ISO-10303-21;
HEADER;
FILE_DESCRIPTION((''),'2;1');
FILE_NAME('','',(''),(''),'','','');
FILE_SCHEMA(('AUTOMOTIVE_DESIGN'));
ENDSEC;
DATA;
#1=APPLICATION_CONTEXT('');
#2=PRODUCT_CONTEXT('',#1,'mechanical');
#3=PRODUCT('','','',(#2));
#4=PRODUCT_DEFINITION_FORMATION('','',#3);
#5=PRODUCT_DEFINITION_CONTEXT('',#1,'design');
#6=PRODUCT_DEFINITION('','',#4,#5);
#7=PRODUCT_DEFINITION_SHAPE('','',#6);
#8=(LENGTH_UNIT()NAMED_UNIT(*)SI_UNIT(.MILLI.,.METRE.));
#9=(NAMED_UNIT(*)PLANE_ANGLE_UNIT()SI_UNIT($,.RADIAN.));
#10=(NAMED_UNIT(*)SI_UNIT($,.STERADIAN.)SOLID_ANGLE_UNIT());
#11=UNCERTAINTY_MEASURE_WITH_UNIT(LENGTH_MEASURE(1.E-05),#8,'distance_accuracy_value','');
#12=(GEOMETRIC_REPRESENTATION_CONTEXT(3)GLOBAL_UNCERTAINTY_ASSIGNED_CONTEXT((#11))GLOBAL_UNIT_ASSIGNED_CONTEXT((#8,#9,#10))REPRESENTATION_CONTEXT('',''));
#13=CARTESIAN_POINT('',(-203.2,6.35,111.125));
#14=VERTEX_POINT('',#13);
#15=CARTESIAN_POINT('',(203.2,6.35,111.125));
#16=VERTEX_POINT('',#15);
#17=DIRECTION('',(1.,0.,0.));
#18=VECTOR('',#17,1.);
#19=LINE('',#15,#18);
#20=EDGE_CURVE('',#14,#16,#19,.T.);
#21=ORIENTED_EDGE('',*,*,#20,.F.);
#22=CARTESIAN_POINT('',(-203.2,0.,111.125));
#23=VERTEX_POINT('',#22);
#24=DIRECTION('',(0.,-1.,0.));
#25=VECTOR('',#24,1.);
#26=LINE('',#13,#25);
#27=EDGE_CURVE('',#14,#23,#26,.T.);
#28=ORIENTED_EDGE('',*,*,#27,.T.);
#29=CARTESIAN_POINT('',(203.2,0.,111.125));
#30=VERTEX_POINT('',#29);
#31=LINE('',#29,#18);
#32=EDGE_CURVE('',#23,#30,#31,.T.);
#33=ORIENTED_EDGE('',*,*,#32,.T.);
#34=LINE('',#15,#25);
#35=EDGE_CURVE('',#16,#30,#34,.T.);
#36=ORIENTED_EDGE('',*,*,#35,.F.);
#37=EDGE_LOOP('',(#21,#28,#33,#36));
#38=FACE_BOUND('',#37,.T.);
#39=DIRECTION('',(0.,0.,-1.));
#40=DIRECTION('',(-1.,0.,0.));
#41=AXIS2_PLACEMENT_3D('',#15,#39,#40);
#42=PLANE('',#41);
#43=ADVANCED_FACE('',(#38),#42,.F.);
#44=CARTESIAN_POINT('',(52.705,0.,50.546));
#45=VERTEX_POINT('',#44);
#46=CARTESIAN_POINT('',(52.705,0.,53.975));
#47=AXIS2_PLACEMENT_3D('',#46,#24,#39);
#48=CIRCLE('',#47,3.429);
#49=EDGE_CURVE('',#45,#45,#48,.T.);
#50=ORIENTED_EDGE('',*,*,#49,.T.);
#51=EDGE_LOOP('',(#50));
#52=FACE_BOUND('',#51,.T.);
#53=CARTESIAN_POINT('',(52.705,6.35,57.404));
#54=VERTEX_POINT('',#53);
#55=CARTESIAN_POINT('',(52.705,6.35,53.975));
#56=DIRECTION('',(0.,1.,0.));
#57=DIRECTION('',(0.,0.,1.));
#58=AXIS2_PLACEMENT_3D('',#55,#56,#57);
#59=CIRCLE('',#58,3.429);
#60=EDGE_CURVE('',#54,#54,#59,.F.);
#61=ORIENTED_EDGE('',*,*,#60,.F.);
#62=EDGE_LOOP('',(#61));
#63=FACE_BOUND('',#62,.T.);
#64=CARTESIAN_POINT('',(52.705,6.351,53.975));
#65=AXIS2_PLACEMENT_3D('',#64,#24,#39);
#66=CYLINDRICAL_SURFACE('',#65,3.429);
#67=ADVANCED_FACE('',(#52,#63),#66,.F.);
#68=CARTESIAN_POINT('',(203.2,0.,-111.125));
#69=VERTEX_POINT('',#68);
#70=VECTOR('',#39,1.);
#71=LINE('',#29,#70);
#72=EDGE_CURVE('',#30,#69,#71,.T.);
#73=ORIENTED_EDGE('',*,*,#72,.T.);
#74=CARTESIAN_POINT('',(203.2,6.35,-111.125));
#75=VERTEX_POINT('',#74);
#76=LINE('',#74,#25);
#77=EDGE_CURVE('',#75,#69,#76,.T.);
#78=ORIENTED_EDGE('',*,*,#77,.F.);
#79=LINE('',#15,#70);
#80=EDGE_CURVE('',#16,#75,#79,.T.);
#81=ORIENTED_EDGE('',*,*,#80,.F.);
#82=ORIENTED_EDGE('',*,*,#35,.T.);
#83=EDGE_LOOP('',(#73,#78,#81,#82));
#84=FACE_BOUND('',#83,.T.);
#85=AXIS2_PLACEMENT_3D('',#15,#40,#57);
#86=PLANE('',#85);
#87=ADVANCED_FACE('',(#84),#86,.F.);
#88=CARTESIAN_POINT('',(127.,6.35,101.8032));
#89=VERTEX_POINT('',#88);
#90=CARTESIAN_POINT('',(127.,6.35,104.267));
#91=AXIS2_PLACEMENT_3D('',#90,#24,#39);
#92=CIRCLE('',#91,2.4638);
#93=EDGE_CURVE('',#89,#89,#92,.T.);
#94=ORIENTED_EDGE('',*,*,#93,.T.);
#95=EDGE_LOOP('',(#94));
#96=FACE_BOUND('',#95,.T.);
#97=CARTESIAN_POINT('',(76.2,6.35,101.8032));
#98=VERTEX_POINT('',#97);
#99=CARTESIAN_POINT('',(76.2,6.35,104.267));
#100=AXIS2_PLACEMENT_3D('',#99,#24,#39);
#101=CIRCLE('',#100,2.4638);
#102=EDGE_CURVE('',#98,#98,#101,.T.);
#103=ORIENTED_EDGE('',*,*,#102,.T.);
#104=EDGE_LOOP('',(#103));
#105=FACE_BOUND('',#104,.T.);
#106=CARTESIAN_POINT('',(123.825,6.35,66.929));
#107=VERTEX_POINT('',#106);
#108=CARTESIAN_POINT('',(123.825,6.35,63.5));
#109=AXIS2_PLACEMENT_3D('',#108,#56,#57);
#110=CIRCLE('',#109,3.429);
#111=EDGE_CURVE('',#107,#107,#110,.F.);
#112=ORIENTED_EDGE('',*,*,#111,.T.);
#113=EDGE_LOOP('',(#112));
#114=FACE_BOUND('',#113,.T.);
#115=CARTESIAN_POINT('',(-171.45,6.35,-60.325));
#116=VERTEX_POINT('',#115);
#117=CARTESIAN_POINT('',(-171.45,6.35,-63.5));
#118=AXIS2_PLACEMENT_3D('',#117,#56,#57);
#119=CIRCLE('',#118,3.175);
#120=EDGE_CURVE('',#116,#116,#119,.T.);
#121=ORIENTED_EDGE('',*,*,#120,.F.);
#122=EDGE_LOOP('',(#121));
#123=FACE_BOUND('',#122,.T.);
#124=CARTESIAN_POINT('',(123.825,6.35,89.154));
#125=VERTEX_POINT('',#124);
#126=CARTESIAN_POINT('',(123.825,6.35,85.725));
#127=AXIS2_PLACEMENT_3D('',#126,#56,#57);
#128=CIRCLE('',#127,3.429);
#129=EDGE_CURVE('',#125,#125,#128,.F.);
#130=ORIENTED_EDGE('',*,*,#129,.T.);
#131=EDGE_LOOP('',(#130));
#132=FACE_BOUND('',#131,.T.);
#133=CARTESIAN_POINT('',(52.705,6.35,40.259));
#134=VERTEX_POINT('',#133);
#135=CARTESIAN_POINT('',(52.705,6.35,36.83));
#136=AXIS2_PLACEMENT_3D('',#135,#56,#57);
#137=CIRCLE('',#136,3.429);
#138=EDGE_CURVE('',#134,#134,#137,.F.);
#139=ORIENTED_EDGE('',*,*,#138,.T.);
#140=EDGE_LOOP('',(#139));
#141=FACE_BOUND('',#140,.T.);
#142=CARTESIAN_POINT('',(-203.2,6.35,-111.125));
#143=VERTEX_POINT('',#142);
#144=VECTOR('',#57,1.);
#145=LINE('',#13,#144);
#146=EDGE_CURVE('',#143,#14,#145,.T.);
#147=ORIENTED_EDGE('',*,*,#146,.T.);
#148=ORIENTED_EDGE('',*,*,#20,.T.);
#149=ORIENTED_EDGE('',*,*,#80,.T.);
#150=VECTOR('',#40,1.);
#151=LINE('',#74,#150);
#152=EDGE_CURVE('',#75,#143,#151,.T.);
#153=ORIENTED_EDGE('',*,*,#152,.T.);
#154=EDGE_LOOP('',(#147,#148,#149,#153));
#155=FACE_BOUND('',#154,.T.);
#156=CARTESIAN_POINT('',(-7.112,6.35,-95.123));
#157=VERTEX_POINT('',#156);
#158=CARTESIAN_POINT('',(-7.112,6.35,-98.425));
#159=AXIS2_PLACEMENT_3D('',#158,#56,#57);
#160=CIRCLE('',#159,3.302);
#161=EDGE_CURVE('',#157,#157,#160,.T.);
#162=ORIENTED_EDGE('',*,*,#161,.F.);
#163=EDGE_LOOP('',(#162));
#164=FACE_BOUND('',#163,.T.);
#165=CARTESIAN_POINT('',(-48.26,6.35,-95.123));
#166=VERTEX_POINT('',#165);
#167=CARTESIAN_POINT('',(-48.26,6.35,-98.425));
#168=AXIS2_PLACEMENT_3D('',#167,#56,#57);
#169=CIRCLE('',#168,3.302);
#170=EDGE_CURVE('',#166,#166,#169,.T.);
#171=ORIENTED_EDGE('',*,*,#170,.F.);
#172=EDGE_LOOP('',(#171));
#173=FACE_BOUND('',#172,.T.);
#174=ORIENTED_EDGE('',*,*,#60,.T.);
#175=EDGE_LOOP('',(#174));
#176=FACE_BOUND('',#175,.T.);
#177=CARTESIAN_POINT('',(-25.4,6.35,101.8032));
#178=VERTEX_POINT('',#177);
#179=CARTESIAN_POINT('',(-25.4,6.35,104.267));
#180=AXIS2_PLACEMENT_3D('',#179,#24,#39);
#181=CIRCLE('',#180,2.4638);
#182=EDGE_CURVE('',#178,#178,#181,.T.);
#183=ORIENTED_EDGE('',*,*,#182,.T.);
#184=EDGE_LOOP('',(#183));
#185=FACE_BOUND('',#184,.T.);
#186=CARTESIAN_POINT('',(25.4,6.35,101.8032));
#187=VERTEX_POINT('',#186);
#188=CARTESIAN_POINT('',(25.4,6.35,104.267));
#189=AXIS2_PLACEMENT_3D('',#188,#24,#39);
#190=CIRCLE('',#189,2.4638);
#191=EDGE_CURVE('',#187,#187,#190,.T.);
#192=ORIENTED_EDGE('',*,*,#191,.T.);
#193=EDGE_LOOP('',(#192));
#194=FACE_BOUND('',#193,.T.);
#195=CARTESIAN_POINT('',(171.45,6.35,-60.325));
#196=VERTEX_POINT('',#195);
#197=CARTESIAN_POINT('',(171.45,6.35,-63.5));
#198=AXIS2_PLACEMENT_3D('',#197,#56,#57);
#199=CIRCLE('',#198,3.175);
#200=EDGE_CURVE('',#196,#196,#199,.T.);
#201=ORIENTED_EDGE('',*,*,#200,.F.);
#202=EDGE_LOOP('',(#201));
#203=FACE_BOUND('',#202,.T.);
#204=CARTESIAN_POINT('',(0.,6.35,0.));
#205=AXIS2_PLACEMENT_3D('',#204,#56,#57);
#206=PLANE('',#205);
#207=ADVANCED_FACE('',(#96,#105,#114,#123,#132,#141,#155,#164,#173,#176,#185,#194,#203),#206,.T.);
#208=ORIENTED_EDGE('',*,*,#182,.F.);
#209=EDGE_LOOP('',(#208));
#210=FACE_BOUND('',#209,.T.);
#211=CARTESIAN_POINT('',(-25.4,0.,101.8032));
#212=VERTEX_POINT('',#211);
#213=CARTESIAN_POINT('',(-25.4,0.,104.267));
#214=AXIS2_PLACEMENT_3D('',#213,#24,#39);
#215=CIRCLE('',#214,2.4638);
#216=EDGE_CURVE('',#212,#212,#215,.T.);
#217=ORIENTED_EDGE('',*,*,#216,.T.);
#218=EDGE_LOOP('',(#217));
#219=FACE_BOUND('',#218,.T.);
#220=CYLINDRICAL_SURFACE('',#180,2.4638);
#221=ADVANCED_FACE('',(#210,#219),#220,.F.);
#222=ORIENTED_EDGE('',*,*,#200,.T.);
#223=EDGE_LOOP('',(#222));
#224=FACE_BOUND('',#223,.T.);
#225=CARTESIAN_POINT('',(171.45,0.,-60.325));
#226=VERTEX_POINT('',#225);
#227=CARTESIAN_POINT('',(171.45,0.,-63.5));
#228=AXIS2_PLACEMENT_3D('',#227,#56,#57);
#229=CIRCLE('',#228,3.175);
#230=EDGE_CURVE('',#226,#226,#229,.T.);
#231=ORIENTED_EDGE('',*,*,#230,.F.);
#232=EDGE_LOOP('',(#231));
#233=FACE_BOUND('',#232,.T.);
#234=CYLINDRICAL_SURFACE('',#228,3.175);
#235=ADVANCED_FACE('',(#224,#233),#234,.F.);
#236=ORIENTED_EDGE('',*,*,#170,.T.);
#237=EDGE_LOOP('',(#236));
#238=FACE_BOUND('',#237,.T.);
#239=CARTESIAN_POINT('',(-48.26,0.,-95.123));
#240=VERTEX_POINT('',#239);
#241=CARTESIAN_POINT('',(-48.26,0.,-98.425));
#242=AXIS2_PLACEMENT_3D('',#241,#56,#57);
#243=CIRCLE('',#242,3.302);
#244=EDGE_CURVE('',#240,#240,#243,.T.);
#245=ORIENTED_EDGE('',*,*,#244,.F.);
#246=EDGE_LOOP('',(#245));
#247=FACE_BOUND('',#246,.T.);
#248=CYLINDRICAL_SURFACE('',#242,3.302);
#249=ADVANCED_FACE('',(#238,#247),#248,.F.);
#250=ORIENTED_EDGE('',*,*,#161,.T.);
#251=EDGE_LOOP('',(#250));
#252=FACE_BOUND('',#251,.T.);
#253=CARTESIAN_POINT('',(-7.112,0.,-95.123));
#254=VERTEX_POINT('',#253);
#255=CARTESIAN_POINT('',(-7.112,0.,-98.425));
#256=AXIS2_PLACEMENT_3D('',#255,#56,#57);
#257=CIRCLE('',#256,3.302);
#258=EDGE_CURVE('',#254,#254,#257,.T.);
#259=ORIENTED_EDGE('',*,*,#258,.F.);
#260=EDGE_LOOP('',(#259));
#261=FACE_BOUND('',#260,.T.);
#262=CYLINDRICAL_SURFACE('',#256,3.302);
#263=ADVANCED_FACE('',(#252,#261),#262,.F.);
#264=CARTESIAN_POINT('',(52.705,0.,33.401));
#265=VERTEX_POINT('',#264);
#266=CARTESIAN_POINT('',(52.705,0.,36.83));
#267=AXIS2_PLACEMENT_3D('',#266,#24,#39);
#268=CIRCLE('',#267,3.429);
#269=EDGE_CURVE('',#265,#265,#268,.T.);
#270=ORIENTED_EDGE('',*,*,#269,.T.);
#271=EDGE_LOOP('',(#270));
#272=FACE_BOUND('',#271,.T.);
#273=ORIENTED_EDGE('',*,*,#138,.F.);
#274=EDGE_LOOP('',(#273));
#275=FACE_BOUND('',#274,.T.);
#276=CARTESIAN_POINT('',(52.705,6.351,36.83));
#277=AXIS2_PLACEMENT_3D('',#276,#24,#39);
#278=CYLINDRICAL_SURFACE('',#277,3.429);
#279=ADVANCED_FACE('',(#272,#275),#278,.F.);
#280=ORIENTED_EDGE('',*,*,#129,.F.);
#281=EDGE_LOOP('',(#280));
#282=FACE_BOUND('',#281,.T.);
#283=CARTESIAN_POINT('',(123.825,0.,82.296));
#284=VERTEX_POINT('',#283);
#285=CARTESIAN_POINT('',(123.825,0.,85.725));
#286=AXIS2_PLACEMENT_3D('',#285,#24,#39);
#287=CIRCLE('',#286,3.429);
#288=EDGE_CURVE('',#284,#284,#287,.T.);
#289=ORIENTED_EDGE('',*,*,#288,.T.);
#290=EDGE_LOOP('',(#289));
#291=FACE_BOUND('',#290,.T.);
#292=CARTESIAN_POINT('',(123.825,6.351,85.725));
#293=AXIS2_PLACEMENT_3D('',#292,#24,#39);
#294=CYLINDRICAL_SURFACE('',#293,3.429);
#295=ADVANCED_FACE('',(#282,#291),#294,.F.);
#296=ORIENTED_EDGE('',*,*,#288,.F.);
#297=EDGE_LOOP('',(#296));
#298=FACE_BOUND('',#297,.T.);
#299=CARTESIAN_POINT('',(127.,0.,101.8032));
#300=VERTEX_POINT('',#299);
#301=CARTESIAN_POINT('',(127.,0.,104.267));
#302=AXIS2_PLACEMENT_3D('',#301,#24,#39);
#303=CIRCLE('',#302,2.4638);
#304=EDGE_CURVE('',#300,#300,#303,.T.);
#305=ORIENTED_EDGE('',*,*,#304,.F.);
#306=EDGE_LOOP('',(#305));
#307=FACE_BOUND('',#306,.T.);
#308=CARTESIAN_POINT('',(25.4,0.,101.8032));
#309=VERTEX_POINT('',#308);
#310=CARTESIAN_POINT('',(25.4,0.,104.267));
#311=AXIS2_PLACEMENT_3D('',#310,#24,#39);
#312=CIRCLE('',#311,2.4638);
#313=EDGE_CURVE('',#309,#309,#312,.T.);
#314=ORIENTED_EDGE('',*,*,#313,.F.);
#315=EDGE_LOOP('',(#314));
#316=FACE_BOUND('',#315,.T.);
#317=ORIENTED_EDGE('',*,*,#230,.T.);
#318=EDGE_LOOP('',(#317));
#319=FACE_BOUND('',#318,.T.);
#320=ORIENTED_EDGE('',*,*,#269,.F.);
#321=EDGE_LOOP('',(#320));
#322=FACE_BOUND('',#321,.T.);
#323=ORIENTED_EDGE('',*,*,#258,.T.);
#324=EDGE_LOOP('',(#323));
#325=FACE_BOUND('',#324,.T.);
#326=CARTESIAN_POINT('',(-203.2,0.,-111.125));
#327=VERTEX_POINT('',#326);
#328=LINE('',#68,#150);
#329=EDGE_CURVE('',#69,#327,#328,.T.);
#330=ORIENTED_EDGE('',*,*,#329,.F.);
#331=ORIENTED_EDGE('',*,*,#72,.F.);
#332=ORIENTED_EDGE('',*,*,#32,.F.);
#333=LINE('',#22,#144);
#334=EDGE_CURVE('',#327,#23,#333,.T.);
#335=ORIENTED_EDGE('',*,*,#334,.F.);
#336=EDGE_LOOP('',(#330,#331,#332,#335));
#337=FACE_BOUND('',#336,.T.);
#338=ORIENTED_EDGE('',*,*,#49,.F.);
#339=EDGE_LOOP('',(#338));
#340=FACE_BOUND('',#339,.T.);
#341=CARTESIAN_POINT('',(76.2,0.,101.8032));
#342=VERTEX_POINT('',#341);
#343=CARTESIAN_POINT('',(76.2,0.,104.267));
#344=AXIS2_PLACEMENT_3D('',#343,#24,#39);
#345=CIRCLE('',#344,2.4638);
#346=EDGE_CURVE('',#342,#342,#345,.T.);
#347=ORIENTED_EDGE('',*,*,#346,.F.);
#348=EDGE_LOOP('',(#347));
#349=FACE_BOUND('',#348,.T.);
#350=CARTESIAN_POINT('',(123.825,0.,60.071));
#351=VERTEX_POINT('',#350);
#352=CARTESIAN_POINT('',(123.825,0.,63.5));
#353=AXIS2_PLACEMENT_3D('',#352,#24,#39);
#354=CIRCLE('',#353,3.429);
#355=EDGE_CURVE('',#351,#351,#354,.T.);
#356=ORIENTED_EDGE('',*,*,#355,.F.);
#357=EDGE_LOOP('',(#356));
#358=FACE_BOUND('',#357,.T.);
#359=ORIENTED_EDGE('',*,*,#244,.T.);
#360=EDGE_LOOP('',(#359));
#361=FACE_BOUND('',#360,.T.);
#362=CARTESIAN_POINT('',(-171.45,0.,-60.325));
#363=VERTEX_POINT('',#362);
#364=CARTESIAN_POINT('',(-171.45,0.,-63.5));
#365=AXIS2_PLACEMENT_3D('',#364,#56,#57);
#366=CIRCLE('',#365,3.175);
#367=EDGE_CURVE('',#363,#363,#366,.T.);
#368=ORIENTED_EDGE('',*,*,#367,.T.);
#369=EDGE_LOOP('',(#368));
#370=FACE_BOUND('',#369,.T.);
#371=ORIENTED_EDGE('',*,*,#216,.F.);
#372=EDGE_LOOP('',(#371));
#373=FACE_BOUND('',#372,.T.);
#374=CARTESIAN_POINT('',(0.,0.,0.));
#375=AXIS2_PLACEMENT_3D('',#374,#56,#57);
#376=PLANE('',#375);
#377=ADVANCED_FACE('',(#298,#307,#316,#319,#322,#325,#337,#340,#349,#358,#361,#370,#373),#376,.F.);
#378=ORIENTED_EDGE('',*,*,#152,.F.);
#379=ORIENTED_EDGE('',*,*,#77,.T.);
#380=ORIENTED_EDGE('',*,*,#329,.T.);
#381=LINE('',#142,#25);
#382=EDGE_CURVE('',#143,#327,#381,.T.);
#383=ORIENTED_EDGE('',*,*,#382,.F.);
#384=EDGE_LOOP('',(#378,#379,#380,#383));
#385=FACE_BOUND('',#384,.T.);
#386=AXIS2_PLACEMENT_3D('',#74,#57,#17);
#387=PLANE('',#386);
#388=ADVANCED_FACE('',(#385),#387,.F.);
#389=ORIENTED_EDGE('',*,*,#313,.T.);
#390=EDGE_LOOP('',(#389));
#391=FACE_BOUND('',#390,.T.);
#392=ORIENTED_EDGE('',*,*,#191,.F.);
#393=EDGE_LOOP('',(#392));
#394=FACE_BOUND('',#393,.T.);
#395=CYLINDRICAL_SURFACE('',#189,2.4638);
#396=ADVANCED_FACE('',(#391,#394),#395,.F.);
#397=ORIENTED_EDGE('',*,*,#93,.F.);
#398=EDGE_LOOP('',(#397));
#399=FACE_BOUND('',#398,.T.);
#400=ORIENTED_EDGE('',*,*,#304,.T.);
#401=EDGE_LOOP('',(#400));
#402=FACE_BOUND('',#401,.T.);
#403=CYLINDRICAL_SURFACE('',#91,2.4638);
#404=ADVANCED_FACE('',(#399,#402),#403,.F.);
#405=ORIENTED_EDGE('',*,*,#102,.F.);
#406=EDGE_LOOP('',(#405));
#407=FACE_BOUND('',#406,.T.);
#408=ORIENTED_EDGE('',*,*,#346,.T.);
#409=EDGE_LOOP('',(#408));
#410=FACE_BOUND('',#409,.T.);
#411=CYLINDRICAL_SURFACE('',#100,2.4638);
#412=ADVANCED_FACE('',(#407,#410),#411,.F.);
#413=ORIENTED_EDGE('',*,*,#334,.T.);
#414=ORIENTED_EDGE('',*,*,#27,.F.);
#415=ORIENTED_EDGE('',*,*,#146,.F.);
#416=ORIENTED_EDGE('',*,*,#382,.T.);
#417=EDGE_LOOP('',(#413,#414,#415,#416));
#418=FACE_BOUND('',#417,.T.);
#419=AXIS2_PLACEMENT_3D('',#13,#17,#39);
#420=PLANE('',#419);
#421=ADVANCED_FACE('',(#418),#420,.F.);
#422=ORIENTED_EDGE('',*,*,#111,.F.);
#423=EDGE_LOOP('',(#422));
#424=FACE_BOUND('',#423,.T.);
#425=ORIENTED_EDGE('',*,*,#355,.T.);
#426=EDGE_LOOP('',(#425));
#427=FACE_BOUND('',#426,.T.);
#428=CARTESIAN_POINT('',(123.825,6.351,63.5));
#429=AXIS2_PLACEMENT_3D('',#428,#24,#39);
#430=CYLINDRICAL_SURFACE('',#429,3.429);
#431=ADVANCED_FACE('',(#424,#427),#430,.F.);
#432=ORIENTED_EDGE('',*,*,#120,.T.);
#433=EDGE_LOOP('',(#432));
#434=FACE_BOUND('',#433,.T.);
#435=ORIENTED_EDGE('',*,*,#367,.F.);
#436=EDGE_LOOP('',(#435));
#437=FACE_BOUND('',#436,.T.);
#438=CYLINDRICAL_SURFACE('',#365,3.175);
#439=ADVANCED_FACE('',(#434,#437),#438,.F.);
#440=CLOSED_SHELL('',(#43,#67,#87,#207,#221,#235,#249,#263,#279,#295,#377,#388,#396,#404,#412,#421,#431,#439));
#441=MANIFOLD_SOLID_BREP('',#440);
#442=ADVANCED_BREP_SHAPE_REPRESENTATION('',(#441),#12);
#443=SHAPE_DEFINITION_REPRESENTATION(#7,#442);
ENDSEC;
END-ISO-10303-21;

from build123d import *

# Parameters (mm, degrees)
SKETCH1_W           = 406.4
SKETCH1_H           = 222.25
BOSS_EXTRUDE1_DEPTH = 6.35
SKETCH2_R           = 3.302
SKETCH2_R_2         = 3.175
CUT_EXTRUDE1_DEPTH  = 6.35
SKETCH3_R           = 2.4638
CUT_EXTRUDE2_DEPTH  = 7.35
CUT_EXTRUDE3_REACH  = 8.35
SKETCH4_R           = 3.429


with BuildPart() as part:
    # Sketch1 → Boss-Extrude1 (new body)
    with BuildSketch(Plane(origin=(0, 0, 0), x_dir=(1, 0, 0), z_dir=(0, 1, 0))):
        Rectangle(SKETCH1_W, SKETCH1_H)
    extrude(amount=BOSS_EXTRUDE1_DEPTH)

    # Sketch2 → Cut-Extrude1 (cut)
    with BuildSketch(Plane(origin=(0, 6.35, 0), x_dir=(1, 0, 0), z_dir=(0, 1, 0))):
        with Locations((-48.26, 98.425)):
            Circle(SKETCH2_R)
        with Locations((-7.112, 98.425)):
            Circle(SKETCH2_R)
        with Locations((-171.45, 63.5)):
            Circle(SKETCH2_R_2)
        with Locations((171.45, 63.5)):
            Circle(SKETCH2_R_2)
    extrude(amount=-CUT_EXTRUDE1_DEPTH, mode=Mode.SUBTRACT)

    # Sketch3 → Cut-Extrude2 (cut, through all)
    with BuildSketch(Plane.XZ):
        with Locations((127, 104.267)):
            Circle(SKETCH3_R)
        with Locations((76.2, 104.267)):
            Circle(SKETCH3_R)
        with Locations((25.4, 104.267)):
            Circle(SKETCH3_R)
        with Locations((-25.4, 104.267)):
            Circle(SKETCH3_R)
    extrude(amount=-CUT_EXTRUDE2_DEPTH, mode=Mode.SUBTRACT)

    # Sketch4 → Cut-Extrude3 (cut, up to next)
    with BuildSketch(Plane.XZ, mode=Mode.PRIVATE) as cut_extrude3_sk1:
        with Locations((52.705, 36.83)):
            Circle(SKETCH4_R)
    cut_extrude3_tool1 = extrude(cut_extrude3_sk1.sketch, amount=-CUT_EXTRUDE3_REACH, mode=Mode.PRIVATE) & part.part
    add(cut_extrude3_tool1.solids().sort_by_distance((52.705, 0, 36.83))[0], mode=Mode.SUBTRACT)
    # Sketch4 → Cut-Extrude3 (cut, up to next)
    with BuildSketch(Plane.XZ, mode=Mode.PRIVATE) as cut_extrude3_sk2:
        with Locations((52.705, 53.975)):
            Circle(SKETCH4_R)
    cut_extrude3_tool2 = extrude(cut_extrude3_sk2.sketch, amount=-CUT_EXTRUDE3_REACH, mode=Mode.PRIVATE) & part.part
    add(cut_extrude3_tool2.solids().sort_by_distance((52.705, 0, 53.975))[0], mode=Mode.SUBTRACT)
    # Sketch4 → Cut-Extrude3 (cut, up to next)
    with BuildSketch(Plane.XZ, mode=Mode.PRIVATE) as cut_extrude3_sk3:
        with Locations((123.825, 63.5)):
            Circle(SKETCH4_R)
    cut_extrude3_tool3 = extrude(cut_extrude3_sk3.sketch, amount=-CUT_EXTRUDE3_REACH, mode=Mode.PRIVATE) & part.part
    add(cut_extrude3_tool3.solids().sort_by_distance((123.825, 0, 63.5))[0], mode=Mode.SUBTRACT)
    # Sketch4 → Cut-Extrude3 (cut, up to next)
    with BuildSketch(Plane.XZ, mode=Mode.PRIVATE) as cut_extrude3_sk4:
        with Locations((123.825, 85.725)):
            Circle(SKETCH4_R)
    cut_extrude3_tool4 = extrude(cut_extrude3_sk4.sketch, amount=-CUT_EXTRUDE3_REACH, mode=Mode.PRIVATE) & part.part
    add(cut_extrude3_tool4.solids().sort_by_distance((123.825, 0, 85.725))[0], mode=Mode.SUBTRACT)


solid = part.part
